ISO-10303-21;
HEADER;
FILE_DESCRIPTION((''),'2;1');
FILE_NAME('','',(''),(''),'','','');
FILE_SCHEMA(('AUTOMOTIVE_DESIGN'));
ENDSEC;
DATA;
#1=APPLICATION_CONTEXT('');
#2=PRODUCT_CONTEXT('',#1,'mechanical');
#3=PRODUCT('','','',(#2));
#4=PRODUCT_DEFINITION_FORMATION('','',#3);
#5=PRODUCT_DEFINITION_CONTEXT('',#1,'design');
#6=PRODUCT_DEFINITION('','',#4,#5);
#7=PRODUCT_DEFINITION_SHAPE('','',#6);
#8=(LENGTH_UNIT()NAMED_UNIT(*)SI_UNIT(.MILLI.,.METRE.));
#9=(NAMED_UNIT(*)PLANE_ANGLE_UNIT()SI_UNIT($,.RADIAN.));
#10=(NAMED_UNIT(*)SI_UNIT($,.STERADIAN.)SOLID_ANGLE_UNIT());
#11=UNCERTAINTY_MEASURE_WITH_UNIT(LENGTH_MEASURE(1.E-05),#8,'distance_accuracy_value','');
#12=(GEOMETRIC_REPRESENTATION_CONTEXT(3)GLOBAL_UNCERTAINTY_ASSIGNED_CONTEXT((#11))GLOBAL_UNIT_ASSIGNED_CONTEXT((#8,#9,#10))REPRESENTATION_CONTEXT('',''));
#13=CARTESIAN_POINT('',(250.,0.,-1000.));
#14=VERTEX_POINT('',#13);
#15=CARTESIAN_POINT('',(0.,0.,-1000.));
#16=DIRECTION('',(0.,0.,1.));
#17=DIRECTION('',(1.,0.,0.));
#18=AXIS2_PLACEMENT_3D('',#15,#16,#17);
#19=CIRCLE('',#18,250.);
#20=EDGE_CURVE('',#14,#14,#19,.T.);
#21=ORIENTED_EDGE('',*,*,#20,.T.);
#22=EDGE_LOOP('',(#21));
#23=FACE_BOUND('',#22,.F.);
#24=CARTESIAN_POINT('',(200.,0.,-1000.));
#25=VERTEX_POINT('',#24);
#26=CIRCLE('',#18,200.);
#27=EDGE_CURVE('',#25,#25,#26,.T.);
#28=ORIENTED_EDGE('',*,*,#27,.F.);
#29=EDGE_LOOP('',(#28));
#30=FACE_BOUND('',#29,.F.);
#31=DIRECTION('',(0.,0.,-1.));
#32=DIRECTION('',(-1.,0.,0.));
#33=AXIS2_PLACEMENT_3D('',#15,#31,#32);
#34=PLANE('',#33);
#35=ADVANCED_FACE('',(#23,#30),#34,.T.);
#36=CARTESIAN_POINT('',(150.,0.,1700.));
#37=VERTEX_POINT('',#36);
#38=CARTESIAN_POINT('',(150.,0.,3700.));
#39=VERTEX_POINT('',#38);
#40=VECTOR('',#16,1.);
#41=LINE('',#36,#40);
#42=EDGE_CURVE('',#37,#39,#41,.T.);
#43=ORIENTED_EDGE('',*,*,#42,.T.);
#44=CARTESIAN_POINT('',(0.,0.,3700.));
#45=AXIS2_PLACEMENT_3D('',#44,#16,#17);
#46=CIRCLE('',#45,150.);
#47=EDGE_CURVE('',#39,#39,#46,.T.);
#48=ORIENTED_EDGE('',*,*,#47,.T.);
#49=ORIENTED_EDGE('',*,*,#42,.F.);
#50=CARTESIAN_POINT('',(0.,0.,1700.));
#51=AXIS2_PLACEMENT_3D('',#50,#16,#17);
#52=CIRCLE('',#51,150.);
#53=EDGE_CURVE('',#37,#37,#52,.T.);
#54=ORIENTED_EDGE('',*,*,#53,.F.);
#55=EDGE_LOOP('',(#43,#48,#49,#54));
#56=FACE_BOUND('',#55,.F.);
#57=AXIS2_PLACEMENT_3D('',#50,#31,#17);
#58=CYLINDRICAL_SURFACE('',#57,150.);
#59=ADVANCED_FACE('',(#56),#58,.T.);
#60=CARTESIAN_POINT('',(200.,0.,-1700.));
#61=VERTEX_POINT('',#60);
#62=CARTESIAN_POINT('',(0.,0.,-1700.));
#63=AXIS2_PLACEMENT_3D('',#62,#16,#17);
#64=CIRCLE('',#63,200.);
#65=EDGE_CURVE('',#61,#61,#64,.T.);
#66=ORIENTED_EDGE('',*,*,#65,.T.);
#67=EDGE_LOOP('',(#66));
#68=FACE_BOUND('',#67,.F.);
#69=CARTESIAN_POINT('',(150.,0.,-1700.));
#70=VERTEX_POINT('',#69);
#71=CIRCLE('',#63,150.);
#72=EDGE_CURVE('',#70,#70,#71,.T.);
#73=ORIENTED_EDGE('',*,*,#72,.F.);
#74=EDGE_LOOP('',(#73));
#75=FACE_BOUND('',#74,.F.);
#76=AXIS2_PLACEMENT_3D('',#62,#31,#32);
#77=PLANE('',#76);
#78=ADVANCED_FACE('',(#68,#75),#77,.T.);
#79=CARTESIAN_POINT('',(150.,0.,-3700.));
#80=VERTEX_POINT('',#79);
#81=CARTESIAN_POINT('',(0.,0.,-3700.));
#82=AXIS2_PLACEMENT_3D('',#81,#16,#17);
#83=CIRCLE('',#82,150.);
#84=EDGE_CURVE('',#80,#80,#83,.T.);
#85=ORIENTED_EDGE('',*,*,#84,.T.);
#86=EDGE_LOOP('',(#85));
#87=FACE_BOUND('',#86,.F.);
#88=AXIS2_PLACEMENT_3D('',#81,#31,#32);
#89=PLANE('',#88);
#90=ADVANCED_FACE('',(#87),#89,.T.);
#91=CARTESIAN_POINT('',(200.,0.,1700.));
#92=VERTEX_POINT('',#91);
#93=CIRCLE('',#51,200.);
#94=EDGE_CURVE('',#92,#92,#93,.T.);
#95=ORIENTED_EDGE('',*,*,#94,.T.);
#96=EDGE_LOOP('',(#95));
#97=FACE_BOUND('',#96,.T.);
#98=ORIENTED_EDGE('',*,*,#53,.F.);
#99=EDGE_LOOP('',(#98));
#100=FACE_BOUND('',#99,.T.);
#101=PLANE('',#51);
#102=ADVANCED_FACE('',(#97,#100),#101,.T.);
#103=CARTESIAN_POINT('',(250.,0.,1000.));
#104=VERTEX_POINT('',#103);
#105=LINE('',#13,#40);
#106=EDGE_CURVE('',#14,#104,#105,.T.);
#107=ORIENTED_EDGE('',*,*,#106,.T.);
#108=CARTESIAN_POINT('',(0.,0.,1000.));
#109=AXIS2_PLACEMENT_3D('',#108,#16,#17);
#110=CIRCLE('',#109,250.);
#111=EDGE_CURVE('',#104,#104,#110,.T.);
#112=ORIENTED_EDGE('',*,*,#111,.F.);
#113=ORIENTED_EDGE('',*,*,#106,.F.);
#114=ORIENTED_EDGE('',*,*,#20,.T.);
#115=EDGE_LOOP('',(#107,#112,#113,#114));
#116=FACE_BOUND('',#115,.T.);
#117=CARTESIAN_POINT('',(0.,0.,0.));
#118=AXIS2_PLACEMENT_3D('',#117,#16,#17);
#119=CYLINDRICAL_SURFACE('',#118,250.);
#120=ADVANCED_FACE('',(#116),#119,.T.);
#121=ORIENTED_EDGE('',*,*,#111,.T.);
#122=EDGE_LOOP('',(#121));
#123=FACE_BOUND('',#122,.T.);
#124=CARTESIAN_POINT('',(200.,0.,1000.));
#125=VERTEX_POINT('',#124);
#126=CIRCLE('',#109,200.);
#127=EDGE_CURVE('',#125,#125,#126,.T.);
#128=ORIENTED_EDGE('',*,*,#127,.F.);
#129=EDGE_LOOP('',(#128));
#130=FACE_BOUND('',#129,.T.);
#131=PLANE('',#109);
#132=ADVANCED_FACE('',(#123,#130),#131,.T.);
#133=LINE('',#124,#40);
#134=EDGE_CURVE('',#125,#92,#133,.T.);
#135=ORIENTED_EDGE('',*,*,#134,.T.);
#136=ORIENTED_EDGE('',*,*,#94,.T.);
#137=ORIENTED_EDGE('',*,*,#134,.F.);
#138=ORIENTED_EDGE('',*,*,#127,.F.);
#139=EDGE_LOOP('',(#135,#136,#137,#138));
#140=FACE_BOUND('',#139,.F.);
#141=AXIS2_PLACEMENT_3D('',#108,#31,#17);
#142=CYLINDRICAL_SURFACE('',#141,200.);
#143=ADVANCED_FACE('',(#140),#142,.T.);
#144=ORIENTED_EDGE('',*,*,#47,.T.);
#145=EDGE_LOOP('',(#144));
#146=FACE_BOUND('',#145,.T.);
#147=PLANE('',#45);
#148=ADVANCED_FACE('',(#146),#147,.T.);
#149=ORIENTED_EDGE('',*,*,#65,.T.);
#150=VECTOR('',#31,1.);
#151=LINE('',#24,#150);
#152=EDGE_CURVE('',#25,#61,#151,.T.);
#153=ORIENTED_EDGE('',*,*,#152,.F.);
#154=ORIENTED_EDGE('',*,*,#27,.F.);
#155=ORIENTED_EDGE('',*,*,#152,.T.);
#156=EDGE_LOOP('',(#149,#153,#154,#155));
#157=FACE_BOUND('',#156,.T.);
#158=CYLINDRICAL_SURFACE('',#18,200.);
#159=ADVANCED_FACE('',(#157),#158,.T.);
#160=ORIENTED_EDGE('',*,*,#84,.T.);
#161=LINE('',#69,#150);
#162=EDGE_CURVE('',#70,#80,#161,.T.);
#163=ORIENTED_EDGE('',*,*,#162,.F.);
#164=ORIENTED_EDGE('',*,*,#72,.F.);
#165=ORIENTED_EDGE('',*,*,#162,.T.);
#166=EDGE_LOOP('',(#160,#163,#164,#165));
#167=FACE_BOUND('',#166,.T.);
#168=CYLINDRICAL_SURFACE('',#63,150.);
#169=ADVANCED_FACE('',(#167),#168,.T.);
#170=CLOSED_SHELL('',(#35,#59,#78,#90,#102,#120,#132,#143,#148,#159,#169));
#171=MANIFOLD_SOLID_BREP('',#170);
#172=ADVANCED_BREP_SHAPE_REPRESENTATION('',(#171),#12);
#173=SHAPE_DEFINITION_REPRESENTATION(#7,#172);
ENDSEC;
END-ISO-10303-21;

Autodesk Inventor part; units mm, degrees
ref_plane "YZ Plane" through (0, 0, 0) normal (1, 0, 0) x (0, 1, 0)
ref_plane "XZ Plane" through (0, 0, 0) normal (0, 1, 0) x (-1, 0, 0)
ref_plane "XY Plane" through (0, 0, 0) normal (0, 0, 1) x (1, 0, 0)
sketch "Sketch1" plane through (0, 0, 0) normal (0, 0, 1) x (1, 0, 0)
  circle A0 centre (0, 0) radius 250
  dimension "d0" = 500
extrude "Extrusion1" add sketch "Sketch1" along normal blind 1000
sketch "Sketch2" plane through (0, 0, 1000) normal (0, 0, 1) x (1, 0, 0)
  circle A0 centre (0, 0) radius 200
  dimension "d3" = 400
extrude "Extrusion2" add sketch "Sketch2" along normal blind 700
sketch "Sketch3" plane through (0, 0, 1700) normal (0, 0, 1) x (1, 0, 0)
  circle A0 centre (0, 0) radius 200 projected
  circle A1 centre (0, 0) radius 150
  dimension "d6" = 300
extrude "Extrusion3" add sketch "Sketch3" along normal blind 2000 contours A1
mirror "Mirror1" about plane through (0, 0, 0) normal (0, 0, -1) of "Extrusion3", "Extrusion2", "Extrusion1"
properties part number "A Shaft" material "Stainless Steel, 440C"
